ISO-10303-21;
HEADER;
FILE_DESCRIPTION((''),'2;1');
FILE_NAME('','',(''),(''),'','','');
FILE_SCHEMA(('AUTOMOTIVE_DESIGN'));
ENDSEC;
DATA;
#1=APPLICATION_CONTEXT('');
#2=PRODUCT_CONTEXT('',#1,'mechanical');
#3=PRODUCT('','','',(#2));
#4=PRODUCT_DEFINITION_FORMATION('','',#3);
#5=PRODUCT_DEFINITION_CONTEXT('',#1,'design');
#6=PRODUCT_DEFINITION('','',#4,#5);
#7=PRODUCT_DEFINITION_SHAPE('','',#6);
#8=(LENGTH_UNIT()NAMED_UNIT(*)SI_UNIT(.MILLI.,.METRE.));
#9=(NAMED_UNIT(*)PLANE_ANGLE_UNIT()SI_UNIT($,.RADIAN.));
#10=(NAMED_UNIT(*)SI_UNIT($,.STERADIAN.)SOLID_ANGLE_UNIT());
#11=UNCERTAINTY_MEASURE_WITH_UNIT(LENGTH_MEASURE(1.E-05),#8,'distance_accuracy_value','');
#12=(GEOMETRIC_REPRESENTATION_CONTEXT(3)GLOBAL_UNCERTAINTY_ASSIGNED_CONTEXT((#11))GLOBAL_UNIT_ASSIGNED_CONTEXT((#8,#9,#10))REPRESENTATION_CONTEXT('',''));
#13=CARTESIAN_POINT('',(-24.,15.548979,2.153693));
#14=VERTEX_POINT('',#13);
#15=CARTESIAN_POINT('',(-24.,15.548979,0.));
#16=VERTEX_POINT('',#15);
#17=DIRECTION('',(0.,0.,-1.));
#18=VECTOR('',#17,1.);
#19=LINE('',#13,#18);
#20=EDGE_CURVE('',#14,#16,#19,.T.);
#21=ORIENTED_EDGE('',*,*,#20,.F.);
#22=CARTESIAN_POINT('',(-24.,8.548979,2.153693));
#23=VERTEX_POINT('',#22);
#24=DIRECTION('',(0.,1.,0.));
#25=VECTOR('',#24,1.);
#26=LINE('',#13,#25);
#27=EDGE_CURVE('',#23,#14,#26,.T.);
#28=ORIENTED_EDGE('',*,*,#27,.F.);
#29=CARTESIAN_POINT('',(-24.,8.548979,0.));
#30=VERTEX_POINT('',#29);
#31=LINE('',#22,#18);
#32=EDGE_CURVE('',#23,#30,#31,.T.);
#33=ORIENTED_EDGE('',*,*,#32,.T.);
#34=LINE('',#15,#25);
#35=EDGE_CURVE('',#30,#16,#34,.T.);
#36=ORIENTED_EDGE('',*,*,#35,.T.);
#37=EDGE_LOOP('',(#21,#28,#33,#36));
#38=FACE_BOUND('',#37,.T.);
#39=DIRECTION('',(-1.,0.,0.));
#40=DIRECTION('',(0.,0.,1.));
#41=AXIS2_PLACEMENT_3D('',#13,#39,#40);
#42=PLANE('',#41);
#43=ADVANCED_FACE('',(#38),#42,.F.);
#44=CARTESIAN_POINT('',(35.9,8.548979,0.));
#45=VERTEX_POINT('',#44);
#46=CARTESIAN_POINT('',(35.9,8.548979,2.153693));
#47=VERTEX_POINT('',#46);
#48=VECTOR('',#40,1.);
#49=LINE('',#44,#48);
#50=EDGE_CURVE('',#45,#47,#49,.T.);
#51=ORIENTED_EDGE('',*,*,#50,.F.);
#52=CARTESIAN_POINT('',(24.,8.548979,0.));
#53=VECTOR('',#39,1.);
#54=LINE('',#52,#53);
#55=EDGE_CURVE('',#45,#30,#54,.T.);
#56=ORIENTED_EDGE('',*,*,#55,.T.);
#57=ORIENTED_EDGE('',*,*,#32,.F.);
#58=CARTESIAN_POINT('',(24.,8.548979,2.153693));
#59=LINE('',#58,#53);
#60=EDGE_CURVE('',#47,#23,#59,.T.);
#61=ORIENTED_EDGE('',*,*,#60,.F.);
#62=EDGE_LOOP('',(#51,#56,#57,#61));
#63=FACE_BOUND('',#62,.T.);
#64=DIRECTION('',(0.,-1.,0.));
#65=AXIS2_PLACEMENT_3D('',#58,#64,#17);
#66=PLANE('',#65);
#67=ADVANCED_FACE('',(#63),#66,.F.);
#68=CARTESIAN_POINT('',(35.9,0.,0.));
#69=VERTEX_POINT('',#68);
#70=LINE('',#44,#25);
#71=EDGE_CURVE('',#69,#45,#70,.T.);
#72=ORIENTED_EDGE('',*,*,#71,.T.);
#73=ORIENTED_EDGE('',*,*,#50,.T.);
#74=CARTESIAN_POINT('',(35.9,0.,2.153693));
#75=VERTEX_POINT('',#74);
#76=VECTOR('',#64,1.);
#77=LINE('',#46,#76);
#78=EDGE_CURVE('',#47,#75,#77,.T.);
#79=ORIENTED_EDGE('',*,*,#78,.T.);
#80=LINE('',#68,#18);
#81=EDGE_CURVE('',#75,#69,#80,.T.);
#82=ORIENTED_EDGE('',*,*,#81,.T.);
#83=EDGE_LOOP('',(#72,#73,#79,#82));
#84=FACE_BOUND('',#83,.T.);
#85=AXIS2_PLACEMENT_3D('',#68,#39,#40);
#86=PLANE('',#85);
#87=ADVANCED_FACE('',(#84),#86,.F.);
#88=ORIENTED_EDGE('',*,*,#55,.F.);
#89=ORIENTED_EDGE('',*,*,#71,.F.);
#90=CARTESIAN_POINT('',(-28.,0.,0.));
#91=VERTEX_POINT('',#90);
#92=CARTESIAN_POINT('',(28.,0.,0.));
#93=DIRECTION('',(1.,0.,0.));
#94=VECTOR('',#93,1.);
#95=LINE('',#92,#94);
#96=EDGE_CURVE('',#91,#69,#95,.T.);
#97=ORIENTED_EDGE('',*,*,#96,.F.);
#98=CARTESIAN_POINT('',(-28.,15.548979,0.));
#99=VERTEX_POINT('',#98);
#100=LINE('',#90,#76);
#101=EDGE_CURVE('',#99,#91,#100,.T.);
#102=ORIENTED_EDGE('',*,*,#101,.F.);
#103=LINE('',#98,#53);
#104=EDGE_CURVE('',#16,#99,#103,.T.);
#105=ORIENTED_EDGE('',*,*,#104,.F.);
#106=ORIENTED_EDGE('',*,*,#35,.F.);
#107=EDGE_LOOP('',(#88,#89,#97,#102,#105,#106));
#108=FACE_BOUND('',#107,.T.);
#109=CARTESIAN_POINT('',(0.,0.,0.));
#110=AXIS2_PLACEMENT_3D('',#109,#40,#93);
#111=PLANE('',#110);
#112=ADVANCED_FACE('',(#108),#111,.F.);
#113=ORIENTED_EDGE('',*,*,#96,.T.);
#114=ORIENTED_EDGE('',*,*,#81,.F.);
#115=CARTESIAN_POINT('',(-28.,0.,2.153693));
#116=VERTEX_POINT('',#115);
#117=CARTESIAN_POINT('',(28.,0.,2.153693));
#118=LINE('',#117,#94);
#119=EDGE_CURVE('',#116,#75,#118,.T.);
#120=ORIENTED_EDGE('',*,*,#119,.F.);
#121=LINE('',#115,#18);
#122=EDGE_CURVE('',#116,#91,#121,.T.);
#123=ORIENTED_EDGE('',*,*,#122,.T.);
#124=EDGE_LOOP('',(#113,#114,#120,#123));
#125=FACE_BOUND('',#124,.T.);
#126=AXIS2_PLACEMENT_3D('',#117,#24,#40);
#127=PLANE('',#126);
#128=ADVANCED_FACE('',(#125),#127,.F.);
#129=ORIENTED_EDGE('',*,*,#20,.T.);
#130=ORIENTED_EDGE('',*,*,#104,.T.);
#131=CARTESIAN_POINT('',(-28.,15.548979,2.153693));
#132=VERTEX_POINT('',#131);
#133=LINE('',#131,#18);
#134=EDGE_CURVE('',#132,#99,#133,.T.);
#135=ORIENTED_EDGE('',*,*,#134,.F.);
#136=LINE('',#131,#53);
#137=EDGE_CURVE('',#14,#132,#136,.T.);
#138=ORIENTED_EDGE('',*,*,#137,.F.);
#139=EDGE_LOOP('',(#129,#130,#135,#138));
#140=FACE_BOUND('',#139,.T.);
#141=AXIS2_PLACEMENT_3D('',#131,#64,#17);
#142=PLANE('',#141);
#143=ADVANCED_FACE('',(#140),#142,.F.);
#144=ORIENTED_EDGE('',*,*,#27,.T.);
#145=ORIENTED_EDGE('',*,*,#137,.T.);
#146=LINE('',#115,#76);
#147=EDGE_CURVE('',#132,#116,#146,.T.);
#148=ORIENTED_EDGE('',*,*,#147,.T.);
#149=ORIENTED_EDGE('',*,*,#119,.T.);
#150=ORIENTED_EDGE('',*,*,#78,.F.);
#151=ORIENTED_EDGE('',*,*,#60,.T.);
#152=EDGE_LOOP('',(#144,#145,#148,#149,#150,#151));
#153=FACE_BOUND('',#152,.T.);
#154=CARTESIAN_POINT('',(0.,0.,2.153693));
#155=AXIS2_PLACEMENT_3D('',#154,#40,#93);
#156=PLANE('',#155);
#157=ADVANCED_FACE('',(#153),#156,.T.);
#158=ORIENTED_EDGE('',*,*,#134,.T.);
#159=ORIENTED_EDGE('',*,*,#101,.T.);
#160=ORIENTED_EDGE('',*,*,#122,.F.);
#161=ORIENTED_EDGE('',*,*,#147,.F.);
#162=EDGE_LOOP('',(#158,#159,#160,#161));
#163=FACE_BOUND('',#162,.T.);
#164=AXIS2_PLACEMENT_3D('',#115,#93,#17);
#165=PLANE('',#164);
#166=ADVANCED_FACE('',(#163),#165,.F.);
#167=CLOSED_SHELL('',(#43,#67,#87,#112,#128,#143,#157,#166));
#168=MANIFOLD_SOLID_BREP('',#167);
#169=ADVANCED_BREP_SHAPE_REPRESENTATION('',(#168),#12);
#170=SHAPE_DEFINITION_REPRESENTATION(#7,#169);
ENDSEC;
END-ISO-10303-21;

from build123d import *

# Parameters (mm, degrees)
BOSS_EXTRUDE1_DEPTH = 2.1536931
CUT_EXTRUDE1_REACH  = 56.318
SKETCH3_W           = 2.1536931
SKETCH3_H           = 7
SKETCH4_W           = 2.1536931
SKETCH4_H           = 8.5489795
BOSS_EXTRUDE2_DEPTH = 7.9


with BuildPart() as part:
    # Sketch1 → Boss-Extrude1 (new body)
    with BuildSketch(Plane.XY):
        Polygon((28, 0), (-28, 0), (-28, 15.5489795), (-24, 15.5489795), (-24, 8.5489795), (24, 8.5489795), (24, 15.5489795), (28, 15.5489795), align=None)
    extrude(amount=BOSS_EXTRUDE1_DEPTH)

    # Sketch3 → Cut-Extrude1 (cut, up to next)
    with BuildSketch(Plane.ZY.offset(-24), mode=Mode.PRIVATE) as cut_extrude1_sk1:
        with Locations((1.07684655, 12.0489795)):
            Rectangle(SKETCH3_W, SKETCH3_H)
    cut_extrude1_tool1 = extrude(cut_extrude1_sk1.sketch, amount=-CUT_EXTRUDE1_REACH, mode=Mode.PRIVATE) & part.part
    add(cut_extrude1_tool1.solids().sort_by_distance((24, 12.048979, 1.076847))[0], mode=Mode.SUBTRACT)

    # Sketch4 → Boss-Extrude2 (add)
    with BuildSketch(Plane(origin=(28, 0, 0), x_dir=(0, 0, -1), z_dir=(1, 0, 0))):
        with Locations((-1.07684655, 4.27448975)):
            Rectangle(SKETCH4_W, SKETCH4_H)
    extrude(amount=BOSS_EXTRUDE2_DEPTH)


solid = part.part
